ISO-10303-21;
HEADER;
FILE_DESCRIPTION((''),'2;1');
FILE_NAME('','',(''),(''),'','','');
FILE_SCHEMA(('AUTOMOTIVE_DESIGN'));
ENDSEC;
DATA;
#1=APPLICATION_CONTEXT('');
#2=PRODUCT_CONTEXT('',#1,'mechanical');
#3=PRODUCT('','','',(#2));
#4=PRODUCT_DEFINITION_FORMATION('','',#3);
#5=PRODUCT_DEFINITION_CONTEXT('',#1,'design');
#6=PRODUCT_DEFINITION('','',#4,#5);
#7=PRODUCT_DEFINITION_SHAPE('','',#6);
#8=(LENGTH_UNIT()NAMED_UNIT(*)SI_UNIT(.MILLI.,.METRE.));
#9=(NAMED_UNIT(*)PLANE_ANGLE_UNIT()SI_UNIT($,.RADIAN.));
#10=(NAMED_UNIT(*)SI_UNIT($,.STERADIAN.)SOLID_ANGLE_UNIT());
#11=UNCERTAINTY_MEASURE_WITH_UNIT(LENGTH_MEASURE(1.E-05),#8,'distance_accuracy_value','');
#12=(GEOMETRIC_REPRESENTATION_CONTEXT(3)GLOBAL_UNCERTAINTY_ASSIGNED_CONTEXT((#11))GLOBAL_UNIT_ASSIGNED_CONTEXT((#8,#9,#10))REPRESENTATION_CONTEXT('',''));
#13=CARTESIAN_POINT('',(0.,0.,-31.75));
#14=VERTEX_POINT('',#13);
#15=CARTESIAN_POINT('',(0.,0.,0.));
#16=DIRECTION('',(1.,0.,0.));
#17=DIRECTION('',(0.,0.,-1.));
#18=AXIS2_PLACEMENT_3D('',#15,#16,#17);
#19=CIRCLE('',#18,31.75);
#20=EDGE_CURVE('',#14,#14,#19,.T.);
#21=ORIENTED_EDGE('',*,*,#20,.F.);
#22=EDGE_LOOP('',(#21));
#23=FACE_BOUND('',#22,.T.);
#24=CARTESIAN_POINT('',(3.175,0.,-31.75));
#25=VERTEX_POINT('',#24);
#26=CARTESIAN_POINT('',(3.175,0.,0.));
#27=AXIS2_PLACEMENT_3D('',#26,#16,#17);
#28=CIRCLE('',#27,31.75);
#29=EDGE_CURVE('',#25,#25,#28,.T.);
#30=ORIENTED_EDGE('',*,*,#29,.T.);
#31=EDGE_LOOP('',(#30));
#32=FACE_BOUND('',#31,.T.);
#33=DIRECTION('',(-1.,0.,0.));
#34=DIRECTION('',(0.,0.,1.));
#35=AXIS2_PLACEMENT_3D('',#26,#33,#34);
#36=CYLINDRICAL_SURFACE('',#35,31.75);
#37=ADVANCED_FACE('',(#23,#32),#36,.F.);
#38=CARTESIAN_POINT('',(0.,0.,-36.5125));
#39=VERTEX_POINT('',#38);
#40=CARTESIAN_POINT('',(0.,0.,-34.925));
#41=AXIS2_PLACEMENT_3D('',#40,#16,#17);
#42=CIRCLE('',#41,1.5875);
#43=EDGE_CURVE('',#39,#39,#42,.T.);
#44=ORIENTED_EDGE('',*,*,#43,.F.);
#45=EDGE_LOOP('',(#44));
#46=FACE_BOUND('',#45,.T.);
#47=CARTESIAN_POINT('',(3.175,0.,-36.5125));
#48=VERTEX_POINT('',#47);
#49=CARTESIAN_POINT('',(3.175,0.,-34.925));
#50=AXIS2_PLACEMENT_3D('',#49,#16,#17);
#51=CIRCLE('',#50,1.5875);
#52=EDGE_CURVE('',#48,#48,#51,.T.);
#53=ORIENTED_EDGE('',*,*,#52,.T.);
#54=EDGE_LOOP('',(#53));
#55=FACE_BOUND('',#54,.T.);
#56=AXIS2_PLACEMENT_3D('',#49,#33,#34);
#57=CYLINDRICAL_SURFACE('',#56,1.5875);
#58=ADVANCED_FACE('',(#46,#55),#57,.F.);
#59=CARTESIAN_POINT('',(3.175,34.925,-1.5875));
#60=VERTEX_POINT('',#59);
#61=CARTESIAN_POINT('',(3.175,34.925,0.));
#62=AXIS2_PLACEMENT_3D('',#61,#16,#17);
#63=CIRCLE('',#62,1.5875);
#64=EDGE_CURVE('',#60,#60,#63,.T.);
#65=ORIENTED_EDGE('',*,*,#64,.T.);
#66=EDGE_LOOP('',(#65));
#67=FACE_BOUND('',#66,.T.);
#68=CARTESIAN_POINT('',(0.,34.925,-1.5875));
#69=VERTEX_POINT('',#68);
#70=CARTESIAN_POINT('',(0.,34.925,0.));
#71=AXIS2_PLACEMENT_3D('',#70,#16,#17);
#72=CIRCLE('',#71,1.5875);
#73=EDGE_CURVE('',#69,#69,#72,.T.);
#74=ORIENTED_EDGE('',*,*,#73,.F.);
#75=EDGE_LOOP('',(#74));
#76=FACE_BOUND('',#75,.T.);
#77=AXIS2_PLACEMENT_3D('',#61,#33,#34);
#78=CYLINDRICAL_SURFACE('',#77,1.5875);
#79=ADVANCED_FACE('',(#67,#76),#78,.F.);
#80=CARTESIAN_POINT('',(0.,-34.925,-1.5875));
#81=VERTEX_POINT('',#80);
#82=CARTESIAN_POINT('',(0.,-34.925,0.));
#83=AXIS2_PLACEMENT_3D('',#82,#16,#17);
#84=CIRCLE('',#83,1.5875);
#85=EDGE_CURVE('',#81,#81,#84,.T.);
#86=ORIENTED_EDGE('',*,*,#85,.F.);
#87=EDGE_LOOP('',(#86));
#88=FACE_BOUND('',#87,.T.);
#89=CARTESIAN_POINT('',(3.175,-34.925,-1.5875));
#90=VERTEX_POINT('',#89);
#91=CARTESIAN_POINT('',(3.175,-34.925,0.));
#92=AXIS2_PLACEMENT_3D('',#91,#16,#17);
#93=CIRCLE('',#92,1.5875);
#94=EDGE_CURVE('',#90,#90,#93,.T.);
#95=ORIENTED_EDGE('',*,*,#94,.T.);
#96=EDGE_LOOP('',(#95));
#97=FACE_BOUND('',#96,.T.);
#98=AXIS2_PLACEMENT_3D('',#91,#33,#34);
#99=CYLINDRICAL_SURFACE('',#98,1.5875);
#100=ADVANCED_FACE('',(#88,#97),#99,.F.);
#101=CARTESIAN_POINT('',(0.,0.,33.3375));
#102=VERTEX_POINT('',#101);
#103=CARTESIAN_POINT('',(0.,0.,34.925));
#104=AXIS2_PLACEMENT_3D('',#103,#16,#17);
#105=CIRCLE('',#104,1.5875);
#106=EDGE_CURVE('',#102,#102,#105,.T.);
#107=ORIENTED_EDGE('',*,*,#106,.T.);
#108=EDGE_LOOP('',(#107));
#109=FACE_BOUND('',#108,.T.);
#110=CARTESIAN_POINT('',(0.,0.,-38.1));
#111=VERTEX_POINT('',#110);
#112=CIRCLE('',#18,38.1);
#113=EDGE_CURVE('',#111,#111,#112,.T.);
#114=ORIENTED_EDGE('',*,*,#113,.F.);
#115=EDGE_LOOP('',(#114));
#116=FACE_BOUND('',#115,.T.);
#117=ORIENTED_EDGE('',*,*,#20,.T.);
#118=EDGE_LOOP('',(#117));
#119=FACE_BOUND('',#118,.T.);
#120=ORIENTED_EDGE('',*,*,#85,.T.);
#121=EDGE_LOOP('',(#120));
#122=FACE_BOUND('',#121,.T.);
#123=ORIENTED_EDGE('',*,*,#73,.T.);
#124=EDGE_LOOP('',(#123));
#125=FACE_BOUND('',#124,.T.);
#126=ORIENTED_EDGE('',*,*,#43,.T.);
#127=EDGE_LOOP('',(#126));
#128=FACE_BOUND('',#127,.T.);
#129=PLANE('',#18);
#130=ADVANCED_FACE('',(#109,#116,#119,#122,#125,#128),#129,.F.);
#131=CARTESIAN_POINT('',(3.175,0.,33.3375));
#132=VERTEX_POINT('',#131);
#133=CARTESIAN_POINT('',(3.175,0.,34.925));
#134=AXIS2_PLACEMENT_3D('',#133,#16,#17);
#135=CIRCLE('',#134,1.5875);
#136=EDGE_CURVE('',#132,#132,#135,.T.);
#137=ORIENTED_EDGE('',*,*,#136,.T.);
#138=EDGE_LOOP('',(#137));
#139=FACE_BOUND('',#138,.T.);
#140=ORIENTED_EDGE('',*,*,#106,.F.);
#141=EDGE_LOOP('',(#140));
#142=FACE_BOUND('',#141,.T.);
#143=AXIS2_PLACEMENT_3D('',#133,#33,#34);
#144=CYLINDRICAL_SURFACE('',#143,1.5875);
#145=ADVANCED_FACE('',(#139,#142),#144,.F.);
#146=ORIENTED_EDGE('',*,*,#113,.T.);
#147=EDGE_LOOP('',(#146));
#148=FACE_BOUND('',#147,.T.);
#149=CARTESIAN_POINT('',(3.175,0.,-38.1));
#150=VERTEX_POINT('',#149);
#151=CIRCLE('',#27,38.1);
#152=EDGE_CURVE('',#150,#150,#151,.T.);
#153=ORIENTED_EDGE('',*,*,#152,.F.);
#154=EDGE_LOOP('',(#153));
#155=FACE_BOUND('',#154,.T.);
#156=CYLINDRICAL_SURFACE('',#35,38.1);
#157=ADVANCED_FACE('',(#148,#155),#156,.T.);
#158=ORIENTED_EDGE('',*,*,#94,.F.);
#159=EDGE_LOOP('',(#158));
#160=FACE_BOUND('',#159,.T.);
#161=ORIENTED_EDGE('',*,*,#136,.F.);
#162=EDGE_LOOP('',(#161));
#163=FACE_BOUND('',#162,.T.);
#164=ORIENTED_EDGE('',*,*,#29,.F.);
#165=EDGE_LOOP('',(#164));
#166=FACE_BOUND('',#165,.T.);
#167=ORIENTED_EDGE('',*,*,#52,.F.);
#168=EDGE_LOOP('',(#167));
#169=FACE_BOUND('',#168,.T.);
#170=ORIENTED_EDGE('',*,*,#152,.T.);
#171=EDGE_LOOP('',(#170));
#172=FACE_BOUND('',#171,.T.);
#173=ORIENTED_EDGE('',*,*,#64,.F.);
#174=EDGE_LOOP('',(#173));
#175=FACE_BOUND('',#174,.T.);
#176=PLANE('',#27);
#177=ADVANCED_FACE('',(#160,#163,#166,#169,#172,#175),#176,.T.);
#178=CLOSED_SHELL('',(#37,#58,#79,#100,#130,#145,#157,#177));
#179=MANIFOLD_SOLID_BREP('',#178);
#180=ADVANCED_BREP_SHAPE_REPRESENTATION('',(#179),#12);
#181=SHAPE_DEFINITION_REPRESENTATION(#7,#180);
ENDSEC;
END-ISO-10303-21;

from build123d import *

# Parameters (mm, degrees)
SKETCH1_R           = 38.1
SKETCH1_R_2         = 1.5875
SKETCH1_R_3         = 31.75
BOSS_EXTRUDE1_DEPTH = 3.175


with BuildPart() as part:
    # Sketch1 → Boss-Extrude1 (new body)
    with BuildSketch(Plane(origin=(0, 0, 0), x_dir=(0, 0, -1), z_dir=(1, 0, 0))):
        Circle(SKETCH1_R)
        with Locations((34.925, 0)):
            Circle(SKETCH1_R_2, mode=Mode.SUBTRACT)
        with Locations((0, -34.925)):
            Circle(SKETCH1_R_2, mode=Mode.SUBTRACT)
        with Locations((-34.925, 0)):
            Circle(SKETCH1_R_2, mode=Mode.SUBTRACT)
        with Locations((0, 34.925)):
            Circle(SKETCH1_R_2, mode=Mode.SUBTRACT)
        Circle(SKETCH1_R_3, mode=Mode.SUBTRACT)
    extrude(amount=BOSS_EXTRUDE1_DEPTH)


solid = part.part
